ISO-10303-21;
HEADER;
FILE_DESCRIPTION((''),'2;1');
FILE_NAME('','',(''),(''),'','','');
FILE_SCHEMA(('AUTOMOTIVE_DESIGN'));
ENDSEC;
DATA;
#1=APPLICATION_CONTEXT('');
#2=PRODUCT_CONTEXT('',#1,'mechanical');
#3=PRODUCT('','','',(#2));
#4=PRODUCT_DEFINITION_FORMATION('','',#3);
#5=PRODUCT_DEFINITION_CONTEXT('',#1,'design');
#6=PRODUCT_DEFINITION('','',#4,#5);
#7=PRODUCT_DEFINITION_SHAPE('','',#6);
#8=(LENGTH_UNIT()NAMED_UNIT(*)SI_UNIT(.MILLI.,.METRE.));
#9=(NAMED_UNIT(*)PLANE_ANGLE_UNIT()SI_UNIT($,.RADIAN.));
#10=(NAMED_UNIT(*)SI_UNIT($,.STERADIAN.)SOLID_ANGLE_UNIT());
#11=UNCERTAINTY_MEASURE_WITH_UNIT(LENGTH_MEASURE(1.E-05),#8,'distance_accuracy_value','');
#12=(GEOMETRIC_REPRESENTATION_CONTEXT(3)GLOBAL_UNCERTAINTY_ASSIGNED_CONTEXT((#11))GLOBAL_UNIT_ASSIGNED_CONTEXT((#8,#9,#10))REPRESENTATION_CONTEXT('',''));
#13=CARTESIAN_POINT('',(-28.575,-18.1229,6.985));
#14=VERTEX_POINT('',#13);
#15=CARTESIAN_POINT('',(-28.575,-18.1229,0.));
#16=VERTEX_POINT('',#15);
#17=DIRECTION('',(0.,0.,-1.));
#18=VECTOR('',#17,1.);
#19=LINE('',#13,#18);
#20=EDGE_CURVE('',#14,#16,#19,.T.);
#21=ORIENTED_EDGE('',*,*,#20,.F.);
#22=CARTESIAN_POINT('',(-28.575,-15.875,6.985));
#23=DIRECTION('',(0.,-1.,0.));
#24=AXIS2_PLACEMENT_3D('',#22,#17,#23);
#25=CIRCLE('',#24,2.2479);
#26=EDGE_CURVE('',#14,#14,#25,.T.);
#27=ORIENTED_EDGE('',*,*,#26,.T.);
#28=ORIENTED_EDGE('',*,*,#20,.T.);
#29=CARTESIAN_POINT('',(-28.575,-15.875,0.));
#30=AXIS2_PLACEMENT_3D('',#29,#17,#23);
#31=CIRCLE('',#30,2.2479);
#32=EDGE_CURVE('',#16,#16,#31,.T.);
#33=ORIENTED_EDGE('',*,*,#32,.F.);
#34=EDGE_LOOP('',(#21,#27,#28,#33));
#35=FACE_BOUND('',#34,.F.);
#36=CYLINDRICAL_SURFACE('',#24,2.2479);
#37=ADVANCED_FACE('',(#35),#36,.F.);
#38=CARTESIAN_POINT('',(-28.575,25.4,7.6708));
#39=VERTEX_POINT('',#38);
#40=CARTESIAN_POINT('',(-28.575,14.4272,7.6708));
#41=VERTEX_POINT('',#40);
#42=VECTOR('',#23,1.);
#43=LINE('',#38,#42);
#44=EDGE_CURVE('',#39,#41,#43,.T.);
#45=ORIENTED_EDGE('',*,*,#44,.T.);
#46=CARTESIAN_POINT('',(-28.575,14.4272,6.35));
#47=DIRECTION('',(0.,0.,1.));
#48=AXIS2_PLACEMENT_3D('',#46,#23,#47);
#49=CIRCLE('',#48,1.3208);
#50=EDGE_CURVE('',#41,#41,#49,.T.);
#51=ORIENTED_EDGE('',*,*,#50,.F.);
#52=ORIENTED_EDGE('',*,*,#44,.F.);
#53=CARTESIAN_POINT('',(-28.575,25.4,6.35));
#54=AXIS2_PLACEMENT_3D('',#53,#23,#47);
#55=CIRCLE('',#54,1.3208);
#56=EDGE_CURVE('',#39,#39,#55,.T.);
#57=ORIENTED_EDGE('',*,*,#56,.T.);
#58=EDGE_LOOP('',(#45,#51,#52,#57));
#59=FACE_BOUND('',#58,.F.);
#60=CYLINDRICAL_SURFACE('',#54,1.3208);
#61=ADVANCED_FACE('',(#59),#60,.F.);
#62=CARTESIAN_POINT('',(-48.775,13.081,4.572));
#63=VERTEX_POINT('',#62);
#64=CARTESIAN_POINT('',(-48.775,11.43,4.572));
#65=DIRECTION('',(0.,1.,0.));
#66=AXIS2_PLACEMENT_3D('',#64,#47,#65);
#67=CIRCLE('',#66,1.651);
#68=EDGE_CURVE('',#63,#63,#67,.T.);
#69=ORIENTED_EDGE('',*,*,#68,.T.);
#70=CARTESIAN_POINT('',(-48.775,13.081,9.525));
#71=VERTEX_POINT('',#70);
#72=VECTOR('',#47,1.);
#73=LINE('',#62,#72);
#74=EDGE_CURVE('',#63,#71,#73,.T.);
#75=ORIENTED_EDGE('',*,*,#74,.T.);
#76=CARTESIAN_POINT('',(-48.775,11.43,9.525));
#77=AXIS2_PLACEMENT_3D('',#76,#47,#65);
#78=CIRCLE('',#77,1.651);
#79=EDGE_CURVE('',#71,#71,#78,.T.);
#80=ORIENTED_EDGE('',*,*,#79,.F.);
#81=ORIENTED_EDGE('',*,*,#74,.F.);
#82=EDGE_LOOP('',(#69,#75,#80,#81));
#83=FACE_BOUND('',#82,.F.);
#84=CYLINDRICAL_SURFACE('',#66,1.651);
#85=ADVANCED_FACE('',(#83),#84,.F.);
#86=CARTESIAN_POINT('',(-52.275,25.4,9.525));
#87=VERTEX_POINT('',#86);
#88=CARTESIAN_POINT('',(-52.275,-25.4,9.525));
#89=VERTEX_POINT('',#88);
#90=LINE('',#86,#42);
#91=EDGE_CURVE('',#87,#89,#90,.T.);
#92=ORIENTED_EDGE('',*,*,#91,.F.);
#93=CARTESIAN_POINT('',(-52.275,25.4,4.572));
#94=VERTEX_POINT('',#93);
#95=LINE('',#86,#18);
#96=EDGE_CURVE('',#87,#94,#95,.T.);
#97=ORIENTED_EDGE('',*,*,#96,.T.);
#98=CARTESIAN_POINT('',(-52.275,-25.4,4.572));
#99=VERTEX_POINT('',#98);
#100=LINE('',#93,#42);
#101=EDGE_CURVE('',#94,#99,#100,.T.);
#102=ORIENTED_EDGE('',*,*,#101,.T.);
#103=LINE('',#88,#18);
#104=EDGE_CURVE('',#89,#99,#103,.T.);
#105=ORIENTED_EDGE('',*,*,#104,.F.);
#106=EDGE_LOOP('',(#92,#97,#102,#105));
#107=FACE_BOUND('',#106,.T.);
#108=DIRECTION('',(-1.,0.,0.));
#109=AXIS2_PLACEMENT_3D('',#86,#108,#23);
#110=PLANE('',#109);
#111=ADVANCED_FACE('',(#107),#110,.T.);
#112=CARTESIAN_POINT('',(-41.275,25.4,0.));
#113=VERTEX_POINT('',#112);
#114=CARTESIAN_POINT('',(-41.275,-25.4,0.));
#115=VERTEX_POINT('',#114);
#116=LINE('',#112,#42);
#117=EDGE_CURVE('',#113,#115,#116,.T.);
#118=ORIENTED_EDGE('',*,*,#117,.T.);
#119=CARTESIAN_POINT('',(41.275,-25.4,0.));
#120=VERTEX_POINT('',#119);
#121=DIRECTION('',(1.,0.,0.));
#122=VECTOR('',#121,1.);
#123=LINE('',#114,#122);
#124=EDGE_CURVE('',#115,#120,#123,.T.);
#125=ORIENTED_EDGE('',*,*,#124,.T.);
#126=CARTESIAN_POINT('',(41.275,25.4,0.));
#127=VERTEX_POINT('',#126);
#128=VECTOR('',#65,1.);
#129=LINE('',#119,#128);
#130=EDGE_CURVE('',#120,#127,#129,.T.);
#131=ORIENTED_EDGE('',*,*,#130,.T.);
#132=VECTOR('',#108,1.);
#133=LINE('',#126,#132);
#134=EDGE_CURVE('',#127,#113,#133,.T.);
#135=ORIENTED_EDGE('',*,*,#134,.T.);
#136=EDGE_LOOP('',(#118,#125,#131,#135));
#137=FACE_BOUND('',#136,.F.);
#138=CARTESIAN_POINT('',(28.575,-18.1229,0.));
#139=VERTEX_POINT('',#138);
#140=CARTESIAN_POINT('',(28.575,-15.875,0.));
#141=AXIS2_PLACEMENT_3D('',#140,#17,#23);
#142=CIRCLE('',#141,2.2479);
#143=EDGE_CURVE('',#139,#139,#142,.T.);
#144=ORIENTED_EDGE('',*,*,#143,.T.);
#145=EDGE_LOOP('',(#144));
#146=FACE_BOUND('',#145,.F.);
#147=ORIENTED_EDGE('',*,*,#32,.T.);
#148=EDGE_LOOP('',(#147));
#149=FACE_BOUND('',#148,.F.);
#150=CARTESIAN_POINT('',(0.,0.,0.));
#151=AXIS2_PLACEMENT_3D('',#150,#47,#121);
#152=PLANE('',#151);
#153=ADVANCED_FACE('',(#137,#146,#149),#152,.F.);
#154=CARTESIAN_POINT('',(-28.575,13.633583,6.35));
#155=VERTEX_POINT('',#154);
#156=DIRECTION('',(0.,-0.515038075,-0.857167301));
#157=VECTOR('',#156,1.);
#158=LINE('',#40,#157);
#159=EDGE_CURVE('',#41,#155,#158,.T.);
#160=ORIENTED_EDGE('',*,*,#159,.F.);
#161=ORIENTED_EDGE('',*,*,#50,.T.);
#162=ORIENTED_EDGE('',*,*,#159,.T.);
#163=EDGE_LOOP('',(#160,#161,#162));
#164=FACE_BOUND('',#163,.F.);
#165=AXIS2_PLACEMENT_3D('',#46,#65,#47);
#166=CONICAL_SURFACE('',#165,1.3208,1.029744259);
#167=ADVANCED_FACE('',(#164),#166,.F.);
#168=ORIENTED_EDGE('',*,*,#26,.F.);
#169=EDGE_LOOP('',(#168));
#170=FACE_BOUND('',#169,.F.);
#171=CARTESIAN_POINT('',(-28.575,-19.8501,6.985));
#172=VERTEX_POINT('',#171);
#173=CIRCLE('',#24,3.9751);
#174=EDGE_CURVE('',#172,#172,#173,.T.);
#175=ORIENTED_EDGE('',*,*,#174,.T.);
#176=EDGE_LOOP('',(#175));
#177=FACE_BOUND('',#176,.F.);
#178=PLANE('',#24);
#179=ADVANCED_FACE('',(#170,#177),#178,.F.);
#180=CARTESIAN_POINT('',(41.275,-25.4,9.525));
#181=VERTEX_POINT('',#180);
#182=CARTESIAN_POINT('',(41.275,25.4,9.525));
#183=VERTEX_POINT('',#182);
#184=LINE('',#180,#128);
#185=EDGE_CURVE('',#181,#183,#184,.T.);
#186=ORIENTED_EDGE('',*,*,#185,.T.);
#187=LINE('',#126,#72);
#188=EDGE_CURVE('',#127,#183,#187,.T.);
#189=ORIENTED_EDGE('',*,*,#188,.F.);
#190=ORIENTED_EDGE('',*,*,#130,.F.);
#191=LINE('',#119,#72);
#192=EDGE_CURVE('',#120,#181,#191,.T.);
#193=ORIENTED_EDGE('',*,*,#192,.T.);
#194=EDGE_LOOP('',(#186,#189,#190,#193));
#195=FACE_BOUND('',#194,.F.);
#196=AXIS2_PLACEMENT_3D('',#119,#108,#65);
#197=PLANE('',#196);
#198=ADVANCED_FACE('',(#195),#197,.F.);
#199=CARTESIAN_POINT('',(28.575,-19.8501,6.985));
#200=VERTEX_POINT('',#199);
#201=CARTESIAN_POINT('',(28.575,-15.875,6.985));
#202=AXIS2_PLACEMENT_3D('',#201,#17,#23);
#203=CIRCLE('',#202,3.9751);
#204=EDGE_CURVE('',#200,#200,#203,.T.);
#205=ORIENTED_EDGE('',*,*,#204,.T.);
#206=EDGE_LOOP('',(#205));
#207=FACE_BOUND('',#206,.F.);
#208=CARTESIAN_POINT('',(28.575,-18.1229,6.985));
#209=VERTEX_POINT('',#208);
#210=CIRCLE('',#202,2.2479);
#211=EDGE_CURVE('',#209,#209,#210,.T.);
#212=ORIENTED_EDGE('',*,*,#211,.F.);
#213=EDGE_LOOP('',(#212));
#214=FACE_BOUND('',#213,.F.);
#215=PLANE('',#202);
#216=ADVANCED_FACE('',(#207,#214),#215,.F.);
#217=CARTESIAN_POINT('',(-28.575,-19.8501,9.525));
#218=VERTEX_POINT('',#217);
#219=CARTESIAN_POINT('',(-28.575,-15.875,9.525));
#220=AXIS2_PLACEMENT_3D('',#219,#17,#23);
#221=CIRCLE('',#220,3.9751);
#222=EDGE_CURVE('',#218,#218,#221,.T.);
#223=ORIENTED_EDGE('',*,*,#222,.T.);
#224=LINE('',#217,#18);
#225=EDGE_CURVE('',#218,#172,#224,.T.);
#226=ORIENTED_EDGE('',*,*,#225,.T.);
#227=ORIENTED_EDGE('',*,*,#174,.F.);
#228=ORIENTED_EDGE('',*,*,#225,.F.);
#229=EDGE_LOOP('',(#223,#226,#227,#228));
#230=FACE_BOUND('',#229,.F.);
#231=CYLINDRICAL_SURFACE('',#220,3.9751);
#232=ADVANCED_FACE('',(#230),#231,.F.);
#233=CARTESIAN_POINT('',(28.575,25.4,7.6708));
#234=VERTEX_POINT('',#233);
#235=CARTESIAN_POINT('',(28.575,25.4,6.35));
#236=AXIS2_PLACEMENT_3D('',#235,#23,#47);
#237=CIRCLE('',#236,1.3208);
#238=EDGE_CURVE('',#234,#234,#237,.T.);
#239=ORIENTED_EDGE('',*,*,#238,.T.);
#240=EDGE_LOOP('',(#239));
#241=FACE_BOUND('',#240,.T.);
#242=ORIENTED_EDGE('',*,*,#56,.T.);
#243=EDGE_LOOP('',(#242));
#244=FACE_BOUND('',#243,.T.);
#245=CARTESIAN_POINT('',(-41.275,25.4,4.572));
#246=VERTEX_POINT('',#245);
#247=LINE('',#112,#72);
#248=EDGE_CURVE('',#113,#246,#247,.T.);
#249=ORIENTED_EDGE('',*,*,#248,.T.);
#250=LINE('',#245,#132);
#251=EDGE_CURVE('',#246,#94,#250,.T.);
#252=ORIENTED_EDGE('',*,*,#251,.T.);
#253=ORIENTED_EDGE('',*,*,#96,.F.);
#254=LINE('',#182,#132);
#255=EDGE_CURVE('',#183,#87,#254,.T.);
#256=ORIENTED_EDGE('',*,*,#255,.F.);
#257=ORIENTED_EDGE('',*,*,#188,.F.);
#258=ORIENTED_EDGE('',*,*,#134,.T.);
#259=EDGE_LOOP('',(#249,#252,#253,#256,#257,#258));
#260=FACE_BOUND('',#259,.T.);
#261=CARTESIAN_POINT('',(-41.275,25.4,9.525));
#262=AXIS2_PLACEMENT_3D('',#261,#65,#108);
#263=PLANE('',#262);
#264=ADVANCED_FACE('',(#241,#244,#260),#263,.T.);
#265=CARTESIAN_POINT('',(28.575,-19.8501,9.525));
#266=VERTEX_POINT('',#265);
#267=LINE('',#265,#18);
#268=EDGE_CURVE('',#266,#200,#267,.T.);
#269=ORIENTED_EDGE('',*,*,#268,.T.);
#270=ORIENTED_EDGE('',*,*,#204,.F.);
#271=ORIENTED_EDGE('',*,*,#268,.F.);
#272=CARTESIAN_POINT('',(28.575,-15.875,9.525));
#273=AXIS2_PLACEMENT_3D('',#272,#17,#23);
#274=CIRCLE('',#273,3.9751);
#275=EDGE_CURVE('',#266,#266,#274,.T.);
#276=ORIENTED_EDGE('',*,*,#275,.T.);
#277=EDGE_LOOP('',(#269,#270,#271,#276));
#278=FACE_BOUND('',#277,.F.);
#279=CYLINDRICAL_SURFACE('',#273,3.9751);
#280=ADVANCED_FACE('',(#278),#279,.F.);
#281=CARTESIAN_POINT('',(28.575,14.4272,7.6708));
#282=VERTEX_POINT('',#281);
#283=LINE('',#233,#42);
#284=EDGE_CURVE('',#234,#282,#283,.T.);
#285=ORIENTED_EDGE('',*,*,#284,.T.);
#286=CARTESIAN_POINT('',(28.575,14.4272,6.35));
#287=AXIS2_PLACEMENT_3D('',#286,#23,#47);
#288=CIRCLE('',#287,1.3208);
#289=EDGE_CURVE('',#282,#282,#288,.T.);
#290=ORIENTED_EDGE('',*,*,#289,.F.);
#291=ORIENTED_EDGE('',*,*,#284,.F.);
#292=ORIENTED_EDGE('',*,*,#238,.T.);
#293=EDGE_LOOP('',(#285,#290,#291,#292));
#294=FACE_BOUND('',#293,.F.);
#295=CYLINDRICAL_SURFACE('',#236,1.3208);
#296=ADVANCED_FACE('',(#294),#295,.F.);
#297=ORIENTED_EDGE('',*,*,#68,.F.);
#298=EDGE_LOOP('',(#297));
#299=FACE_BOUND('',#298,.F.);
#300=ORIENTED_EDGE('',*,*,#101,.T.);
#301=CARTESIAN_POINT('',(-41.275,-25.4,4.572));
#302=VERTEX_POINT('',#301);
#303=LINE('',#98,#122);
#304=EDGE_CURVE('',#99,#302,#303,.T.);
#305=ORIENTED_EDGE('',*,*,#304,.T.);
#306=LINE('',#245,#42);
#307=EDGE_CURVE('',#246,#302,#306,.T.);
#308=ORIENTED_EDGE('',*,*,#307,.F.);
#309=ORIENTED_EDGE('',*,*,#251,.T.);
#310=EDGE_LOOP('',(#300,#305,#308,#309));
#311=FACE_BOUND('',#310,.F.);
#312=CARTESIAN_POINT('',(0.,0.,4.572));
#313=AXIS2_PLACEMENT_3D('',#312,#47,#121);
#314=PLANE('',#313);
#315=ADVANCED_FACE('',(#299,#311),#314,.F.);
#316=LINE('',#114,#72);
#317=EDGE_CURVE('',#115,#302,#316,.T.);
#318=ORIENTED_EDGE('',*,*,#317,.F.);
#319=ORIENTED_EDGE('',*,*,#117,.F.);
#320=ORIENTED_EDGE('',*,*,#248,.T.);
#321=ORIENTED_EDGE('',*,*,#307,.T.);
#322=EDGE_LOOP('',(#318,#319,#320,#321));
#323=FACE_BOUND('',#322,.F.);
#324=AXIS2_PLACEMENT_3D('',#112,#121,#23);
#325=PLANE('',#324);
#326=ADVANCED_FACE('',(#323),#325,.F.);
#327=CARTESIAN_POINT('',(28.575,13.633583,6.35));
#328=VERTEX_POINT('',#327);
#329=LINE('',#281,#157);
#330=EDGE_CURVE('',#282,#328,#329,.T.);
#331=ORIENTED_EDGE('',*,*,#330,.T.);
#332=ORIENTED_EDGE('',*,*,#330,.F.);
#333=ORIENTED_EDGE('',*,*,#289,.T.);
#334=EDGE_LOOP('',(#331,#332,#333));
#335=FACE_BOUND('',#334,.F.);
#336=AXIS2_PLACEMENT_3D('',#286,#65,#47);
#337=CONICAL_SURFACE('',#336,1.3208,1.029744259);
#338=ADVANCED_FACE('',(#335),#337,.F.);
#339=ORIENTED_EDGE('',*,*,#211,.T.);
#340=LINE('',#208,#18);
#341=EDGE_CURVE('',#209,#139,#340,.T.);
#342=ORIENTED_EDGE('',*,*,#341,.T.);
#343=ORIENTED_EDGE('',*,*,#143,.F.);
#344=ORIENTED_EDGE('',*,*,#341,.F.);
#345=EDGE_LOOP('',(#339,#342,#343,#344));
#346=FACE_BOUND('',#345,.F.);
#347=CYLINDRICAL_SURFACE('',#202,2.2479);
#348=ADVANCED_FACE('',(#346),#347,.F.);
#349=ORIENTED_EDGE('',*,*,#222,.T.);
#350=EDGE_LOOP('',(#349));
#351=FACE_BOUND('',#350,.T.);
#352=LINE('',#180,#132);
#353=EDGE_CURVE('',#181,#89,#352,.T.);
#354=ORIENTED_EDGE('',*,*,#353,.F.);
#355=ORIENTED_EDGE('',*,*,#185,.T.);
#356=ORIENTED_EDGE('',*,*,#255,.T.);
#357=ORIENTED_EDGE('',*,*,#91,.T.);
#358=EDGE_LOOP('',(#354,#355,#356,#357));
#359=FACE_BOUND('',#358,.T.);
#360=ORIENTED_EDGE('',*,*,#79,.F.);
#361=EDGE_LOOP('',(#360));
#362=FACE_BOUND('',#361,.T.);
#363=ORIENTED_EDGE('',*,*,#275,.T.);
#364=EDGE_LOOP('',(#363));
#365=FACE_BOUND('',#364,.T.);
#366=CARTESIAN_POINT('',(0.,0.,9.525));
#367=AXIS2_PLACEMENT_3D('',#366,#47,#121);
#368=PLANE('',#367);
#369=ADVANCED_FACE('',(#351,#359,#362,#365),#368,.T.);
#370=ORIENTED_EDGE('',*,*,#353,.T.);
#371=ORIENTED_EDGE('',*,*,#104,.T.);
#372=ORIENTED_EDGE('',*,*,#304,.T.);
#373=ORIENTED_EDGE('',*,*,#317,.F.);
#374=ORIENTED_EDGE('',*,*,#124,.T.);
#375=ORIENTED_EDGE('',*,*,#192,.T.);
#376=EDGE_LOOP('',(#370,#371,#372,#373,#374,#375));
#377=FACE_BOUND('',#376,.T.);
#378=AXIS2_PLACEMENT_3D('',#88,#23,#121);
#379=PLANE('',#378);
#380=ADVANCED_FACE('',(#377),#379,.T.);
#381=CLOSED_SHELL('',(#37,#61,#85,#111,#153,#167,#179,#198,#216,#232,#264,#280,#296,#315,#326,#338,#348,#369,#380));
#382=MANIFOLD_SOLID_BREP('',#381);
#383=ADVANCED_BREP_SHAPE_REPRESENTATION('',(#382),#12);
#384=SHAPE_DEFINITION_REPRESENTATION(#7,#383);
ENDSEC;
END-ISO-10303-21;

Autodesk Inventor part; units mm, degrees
ref_plane "YZ Plane" through (0, 0, 0) normal (1, 0, 0) x (0, 1, 0)
ref_plane "XZ Plane" through (0, 0, 0) normal (0, 1, 0) x (-1, 0, 0)
ref_plane "XY Plane" through (0, 0, 0) normal (0, 0, 1) x (1, 0, 0)
sketch "Sketch1" plane through (0, 0, 0) normal (0, 0, 1) x (1, 0, 0)
  line L0 (-41.275, -25.4) -> (41.275, -25.4)
  line L1 (41.275, -25.4) -> (41.275, 25.4)
  line L2 (41.275, 25.4) -> (-41.275, 25.4)
  line L3 (-41.275, 25.4) -> (-41.275, -25.4)
  line L4 (-41.275, -25.4) -> (41.275, 25.4) construction
  line L5 (41.275, -25.4) -> (-41.275, 25.4) construction
  point P0 (0, 0)
  dimension "d0" = 82.55
  dimension "d1" = 50.8
extrude "Extrusion1" add sketch "Sketch1" along normal blind 9.525
sketch "Sketch2" plane through (0, 0, 9.525) normal (0, 0, 1) x (1, 0, 0)
  line L0 (-28.575, -15.875) -> (28.575, -15.875)
  line L1 (-41.275, 25.4) -> (-41.275, -25.4) projected
  line L2 (-41.275, -25.4) -> (41.275, -25.4) projected
  point P0 (0, 0)
  dimension "d4" = 57.15
  dimension "d5" = 12.7
  dimension "d6" = 9.525
hole "Hole1" at (-28.575, -15.875, 9.525) at (28.575, -15.875, 9.525) direction (0, 0, -1) diameter 4.4958 depth 25.4 tip angle 118 counterbore diameter 7.9502 counterbore depth 2.54 clearance for "Socket Head Cap Screw" size "#8" standard "Ansi Unified Screw Threads"
sketch "Sketch3" plane through (0, 0, 9.525) normal (0, 0, 1) x (1, 0, 0)
  line L0 (-41.275, 25.4) -> (-41.275, -25.4) projected
  line L1 (-41.275, -25.4) -> (-41.275, 25.4)
  line L2 (-41.275, 25.4) -> (-52.275, 25.4)
  line L3 (-52.275, 25.4) -> (-52.275, -25.4)
  line L4 (-52.275, -25.4) -> (-41.275, -25.4)
  point P0 (0, 0)
  dimension "d14" = 11
extrude "Extrusion2" add sketch "Sketch3" against normal blind 4.953
sketch "Sketch4" plane through (0, 0, 4.572) normal (0, 0, -1) x (-1, 0, 0)
  line L0 (52.275, 25.4) -> (41.275, 25.4) projected
  line L1 (52.275, -25.4) -> (52.275, 25.4) projected
  point P0 (0, 0)
  point P1 (48.775, 11.43)
  dimension "d17" = 13.97
  dimension "d18" = 3.5
hole "Hole2" at (-48.775, 11.43, 4.572) direction (0, 0, 1) diameter 3.302 depth 12.2936 tip angle 118 thread size "8-32 UNC" class "2B" standard "ANSI Unified Screw Threads"
sketch "Sketch5" plane through (-41.275, 25.4, 0) normal (0, 1, 0) x (1, 0, 0)
  line L0 (69.85, -6.35) -> (12.7, -6.35)
  line L1 (0, 0) -> (0, -4.572) projected
  line L2 (82.55, -9.525) -> (-11, -9.525) projected
  point P0 (41.275, 0)
  dimension "d26" = 57.15
  dimension "d27" = 12.7
  dimension "d28" = 3.175
hole "Hole3" at (-28.575, 25.4, 6.35) at (28.575, 25.4, 6.35) direction (0, -1, 0) diameter 2.6416 depth 10.9728 tip angle 118 thread size "6-32 UNC" class "2B" standard "ANSI Unified Screw Threads"
properties part number "right side"
